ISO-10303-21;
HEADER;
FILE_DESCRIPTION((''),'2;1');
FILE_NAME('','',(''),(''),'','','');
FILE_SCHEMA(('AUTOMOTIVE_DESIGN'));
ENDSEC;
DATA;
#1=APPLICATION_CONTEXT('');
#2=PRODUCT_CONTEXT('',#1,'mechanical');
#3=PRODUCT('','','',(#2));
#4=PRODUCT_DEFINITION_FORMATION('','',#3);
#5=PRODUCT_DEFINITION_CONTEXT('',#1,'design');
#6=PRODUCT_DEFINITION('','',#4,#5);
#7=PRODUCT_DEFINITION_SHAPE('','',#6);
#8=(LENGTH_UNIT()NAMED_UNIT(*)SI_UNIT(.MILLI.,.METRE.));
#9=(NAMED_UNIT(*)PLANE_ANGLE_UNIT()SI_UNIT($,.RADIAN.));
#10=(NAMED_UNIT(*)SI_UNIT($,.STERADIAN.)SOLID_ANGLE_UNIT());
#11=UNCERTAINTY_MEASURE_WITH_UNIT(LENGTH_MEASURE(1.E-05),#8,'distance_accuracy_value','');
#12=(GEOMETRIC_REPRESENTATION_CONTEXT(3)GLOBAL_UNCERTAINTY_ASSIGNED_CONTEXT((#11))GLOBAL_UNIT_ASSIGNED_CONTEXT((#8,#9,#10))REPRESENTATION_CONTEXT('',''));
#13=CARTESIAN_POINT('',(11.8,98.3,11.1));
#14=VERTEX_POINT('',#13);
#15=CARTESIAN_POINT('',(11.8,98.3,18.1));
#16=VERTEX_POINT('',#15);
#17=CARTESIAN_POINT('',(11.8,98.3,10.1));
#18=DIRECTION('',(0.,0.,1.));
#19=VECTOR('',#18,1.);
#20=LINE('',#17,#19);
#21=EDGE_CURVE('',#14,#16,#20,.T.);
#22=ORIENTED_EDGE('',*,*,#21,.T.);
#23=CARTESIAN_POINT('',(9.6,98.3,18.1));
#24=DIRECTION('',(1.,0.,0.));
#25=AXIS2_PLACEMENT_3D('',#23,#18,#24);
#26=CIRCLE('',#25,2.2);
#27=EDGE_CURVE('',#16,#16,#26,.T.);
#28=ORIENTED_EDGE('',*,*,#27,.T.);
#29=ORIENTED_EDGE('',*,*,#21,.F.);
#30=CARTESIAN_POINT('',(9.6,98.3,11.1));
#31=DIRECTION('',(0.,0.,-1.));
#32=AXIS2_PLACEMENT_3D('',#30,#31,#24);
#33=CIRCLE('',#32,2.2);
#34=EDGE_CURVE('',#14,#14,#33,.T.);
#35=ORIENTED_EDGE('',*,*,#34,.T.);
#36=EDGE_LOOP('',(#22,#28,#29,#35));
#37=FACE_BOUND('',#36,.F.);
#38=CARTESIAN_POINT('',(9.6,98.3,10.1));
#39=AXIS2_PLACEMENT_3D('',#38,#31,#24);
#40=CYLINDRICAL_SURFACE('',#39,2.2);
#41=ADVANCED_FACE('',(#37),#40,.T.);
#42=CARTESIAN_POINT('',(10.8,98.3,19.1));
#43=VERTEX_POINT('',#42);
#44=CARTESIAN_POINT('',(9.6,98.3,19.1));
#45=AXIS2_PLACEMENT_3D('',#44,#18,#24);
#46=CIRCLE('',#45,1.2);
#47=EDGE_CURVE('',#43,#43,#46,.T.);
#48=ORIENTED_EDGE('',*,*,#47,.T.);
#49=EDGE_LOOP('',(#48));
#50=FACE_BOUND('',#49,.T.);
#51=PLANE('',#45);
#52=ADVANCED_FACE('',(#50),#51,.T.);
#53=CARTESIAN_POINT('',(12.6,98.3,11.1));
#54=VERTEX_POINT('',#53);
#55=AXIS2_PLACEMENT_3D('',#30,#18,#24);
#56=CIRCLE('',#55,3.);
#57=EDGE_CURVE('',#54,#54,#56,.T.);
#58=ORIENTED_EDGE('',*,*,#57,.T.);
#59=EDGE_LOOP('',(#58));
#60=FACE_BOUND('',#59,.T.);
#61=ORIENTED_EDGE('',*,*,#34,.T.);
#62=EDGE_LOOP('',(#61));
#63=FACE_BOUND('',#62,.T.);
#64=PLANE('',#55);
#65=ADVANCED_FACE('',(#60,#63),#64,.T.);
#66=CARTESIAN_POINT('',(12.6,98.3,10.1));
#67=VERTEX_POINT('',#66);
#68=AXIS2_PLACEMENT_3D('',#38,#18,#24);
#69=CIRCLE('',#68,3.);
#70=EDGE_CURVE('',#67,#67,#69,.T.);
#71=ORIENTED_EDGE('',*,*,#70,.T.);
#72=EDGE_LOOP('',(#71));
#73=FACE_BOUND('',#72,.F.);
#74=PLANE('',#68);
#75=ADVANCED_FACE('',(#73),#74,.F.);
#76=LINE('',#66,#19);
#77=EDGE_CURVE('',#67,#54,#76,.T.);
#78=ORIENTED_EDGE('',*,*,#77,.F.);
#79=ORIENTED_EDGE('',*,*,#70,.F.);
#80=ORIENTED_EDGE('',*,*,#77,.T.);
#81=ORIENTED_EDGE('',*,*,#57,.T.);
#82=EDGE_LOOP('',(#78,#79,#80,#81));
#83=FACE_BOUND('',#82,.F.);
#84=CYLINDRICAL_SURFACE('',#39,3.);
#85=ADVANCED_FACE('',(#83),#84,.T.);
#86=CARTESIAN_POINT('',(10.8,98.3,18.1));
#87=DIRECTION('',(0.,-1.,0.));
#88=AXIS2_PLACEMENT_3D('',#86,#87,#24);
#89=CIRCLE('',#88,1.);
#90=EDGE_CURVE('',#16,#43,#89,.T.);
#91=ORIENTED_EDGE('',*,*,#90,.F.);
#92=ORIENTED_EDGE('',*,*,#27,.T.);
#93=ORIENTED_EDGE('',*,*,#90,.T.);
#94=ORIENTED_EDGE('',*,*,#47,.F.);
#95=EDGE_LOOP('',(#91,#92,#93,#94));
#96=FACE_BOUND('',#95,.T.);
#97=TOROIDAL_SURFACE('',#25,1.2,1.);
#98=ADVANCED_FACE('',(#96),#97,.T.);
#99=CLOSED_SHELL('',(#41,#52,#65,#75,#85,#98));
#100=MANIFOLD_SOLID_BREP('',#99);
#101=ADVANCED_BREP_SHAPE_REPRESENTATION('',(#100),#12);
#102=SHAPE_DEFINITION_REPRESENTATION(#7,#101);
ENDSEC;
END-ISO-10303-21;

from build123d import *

# Parameters (mm, degrees)
CYLINDER019_R     = 2.2
CYLINDER019_DEPTH = 9
CYLINDER021_R     = 3
CYLINDER021_DEPTH = 1
FILLET_R          = 1


with BuildPart() as onoff_button_c:
    # Cylinder019 → Cylinder019 (new body)
    with BuildSketch(Plane(origin=(9.6, 98.3, 10.1), x_dir=(1, 0, 0), z_dir=(0, 0, 1))):
        Circle(CYLINDER019_R)
    extrude(amount=CYLINDER019_DEPTH)


with BuildPart() as onoff_button:
    # Cylinder021 → Cylinder021 (new body)
    with BuildSketch(Plane(origin=(9.6, 98.3, 10.1), x_dir=(1, 0, 0), z_dir=(0, 0, 1))):
        Circle(CYLINDER021_R)
    extrude(amount=CYLINDER021_DEPTH)

    # Fusion032: union onoff_button_c
    add(onoff_button_c.part)

    # Fillet
    fillet_edges = [onoff_button.edges().sort_by_distance(p)[0] for p in [
        (7.4, 98.3, 19.1),
    ]]
    fillet(fillet_edges, radius=FILLET_R)


solid = onoff_button.part
